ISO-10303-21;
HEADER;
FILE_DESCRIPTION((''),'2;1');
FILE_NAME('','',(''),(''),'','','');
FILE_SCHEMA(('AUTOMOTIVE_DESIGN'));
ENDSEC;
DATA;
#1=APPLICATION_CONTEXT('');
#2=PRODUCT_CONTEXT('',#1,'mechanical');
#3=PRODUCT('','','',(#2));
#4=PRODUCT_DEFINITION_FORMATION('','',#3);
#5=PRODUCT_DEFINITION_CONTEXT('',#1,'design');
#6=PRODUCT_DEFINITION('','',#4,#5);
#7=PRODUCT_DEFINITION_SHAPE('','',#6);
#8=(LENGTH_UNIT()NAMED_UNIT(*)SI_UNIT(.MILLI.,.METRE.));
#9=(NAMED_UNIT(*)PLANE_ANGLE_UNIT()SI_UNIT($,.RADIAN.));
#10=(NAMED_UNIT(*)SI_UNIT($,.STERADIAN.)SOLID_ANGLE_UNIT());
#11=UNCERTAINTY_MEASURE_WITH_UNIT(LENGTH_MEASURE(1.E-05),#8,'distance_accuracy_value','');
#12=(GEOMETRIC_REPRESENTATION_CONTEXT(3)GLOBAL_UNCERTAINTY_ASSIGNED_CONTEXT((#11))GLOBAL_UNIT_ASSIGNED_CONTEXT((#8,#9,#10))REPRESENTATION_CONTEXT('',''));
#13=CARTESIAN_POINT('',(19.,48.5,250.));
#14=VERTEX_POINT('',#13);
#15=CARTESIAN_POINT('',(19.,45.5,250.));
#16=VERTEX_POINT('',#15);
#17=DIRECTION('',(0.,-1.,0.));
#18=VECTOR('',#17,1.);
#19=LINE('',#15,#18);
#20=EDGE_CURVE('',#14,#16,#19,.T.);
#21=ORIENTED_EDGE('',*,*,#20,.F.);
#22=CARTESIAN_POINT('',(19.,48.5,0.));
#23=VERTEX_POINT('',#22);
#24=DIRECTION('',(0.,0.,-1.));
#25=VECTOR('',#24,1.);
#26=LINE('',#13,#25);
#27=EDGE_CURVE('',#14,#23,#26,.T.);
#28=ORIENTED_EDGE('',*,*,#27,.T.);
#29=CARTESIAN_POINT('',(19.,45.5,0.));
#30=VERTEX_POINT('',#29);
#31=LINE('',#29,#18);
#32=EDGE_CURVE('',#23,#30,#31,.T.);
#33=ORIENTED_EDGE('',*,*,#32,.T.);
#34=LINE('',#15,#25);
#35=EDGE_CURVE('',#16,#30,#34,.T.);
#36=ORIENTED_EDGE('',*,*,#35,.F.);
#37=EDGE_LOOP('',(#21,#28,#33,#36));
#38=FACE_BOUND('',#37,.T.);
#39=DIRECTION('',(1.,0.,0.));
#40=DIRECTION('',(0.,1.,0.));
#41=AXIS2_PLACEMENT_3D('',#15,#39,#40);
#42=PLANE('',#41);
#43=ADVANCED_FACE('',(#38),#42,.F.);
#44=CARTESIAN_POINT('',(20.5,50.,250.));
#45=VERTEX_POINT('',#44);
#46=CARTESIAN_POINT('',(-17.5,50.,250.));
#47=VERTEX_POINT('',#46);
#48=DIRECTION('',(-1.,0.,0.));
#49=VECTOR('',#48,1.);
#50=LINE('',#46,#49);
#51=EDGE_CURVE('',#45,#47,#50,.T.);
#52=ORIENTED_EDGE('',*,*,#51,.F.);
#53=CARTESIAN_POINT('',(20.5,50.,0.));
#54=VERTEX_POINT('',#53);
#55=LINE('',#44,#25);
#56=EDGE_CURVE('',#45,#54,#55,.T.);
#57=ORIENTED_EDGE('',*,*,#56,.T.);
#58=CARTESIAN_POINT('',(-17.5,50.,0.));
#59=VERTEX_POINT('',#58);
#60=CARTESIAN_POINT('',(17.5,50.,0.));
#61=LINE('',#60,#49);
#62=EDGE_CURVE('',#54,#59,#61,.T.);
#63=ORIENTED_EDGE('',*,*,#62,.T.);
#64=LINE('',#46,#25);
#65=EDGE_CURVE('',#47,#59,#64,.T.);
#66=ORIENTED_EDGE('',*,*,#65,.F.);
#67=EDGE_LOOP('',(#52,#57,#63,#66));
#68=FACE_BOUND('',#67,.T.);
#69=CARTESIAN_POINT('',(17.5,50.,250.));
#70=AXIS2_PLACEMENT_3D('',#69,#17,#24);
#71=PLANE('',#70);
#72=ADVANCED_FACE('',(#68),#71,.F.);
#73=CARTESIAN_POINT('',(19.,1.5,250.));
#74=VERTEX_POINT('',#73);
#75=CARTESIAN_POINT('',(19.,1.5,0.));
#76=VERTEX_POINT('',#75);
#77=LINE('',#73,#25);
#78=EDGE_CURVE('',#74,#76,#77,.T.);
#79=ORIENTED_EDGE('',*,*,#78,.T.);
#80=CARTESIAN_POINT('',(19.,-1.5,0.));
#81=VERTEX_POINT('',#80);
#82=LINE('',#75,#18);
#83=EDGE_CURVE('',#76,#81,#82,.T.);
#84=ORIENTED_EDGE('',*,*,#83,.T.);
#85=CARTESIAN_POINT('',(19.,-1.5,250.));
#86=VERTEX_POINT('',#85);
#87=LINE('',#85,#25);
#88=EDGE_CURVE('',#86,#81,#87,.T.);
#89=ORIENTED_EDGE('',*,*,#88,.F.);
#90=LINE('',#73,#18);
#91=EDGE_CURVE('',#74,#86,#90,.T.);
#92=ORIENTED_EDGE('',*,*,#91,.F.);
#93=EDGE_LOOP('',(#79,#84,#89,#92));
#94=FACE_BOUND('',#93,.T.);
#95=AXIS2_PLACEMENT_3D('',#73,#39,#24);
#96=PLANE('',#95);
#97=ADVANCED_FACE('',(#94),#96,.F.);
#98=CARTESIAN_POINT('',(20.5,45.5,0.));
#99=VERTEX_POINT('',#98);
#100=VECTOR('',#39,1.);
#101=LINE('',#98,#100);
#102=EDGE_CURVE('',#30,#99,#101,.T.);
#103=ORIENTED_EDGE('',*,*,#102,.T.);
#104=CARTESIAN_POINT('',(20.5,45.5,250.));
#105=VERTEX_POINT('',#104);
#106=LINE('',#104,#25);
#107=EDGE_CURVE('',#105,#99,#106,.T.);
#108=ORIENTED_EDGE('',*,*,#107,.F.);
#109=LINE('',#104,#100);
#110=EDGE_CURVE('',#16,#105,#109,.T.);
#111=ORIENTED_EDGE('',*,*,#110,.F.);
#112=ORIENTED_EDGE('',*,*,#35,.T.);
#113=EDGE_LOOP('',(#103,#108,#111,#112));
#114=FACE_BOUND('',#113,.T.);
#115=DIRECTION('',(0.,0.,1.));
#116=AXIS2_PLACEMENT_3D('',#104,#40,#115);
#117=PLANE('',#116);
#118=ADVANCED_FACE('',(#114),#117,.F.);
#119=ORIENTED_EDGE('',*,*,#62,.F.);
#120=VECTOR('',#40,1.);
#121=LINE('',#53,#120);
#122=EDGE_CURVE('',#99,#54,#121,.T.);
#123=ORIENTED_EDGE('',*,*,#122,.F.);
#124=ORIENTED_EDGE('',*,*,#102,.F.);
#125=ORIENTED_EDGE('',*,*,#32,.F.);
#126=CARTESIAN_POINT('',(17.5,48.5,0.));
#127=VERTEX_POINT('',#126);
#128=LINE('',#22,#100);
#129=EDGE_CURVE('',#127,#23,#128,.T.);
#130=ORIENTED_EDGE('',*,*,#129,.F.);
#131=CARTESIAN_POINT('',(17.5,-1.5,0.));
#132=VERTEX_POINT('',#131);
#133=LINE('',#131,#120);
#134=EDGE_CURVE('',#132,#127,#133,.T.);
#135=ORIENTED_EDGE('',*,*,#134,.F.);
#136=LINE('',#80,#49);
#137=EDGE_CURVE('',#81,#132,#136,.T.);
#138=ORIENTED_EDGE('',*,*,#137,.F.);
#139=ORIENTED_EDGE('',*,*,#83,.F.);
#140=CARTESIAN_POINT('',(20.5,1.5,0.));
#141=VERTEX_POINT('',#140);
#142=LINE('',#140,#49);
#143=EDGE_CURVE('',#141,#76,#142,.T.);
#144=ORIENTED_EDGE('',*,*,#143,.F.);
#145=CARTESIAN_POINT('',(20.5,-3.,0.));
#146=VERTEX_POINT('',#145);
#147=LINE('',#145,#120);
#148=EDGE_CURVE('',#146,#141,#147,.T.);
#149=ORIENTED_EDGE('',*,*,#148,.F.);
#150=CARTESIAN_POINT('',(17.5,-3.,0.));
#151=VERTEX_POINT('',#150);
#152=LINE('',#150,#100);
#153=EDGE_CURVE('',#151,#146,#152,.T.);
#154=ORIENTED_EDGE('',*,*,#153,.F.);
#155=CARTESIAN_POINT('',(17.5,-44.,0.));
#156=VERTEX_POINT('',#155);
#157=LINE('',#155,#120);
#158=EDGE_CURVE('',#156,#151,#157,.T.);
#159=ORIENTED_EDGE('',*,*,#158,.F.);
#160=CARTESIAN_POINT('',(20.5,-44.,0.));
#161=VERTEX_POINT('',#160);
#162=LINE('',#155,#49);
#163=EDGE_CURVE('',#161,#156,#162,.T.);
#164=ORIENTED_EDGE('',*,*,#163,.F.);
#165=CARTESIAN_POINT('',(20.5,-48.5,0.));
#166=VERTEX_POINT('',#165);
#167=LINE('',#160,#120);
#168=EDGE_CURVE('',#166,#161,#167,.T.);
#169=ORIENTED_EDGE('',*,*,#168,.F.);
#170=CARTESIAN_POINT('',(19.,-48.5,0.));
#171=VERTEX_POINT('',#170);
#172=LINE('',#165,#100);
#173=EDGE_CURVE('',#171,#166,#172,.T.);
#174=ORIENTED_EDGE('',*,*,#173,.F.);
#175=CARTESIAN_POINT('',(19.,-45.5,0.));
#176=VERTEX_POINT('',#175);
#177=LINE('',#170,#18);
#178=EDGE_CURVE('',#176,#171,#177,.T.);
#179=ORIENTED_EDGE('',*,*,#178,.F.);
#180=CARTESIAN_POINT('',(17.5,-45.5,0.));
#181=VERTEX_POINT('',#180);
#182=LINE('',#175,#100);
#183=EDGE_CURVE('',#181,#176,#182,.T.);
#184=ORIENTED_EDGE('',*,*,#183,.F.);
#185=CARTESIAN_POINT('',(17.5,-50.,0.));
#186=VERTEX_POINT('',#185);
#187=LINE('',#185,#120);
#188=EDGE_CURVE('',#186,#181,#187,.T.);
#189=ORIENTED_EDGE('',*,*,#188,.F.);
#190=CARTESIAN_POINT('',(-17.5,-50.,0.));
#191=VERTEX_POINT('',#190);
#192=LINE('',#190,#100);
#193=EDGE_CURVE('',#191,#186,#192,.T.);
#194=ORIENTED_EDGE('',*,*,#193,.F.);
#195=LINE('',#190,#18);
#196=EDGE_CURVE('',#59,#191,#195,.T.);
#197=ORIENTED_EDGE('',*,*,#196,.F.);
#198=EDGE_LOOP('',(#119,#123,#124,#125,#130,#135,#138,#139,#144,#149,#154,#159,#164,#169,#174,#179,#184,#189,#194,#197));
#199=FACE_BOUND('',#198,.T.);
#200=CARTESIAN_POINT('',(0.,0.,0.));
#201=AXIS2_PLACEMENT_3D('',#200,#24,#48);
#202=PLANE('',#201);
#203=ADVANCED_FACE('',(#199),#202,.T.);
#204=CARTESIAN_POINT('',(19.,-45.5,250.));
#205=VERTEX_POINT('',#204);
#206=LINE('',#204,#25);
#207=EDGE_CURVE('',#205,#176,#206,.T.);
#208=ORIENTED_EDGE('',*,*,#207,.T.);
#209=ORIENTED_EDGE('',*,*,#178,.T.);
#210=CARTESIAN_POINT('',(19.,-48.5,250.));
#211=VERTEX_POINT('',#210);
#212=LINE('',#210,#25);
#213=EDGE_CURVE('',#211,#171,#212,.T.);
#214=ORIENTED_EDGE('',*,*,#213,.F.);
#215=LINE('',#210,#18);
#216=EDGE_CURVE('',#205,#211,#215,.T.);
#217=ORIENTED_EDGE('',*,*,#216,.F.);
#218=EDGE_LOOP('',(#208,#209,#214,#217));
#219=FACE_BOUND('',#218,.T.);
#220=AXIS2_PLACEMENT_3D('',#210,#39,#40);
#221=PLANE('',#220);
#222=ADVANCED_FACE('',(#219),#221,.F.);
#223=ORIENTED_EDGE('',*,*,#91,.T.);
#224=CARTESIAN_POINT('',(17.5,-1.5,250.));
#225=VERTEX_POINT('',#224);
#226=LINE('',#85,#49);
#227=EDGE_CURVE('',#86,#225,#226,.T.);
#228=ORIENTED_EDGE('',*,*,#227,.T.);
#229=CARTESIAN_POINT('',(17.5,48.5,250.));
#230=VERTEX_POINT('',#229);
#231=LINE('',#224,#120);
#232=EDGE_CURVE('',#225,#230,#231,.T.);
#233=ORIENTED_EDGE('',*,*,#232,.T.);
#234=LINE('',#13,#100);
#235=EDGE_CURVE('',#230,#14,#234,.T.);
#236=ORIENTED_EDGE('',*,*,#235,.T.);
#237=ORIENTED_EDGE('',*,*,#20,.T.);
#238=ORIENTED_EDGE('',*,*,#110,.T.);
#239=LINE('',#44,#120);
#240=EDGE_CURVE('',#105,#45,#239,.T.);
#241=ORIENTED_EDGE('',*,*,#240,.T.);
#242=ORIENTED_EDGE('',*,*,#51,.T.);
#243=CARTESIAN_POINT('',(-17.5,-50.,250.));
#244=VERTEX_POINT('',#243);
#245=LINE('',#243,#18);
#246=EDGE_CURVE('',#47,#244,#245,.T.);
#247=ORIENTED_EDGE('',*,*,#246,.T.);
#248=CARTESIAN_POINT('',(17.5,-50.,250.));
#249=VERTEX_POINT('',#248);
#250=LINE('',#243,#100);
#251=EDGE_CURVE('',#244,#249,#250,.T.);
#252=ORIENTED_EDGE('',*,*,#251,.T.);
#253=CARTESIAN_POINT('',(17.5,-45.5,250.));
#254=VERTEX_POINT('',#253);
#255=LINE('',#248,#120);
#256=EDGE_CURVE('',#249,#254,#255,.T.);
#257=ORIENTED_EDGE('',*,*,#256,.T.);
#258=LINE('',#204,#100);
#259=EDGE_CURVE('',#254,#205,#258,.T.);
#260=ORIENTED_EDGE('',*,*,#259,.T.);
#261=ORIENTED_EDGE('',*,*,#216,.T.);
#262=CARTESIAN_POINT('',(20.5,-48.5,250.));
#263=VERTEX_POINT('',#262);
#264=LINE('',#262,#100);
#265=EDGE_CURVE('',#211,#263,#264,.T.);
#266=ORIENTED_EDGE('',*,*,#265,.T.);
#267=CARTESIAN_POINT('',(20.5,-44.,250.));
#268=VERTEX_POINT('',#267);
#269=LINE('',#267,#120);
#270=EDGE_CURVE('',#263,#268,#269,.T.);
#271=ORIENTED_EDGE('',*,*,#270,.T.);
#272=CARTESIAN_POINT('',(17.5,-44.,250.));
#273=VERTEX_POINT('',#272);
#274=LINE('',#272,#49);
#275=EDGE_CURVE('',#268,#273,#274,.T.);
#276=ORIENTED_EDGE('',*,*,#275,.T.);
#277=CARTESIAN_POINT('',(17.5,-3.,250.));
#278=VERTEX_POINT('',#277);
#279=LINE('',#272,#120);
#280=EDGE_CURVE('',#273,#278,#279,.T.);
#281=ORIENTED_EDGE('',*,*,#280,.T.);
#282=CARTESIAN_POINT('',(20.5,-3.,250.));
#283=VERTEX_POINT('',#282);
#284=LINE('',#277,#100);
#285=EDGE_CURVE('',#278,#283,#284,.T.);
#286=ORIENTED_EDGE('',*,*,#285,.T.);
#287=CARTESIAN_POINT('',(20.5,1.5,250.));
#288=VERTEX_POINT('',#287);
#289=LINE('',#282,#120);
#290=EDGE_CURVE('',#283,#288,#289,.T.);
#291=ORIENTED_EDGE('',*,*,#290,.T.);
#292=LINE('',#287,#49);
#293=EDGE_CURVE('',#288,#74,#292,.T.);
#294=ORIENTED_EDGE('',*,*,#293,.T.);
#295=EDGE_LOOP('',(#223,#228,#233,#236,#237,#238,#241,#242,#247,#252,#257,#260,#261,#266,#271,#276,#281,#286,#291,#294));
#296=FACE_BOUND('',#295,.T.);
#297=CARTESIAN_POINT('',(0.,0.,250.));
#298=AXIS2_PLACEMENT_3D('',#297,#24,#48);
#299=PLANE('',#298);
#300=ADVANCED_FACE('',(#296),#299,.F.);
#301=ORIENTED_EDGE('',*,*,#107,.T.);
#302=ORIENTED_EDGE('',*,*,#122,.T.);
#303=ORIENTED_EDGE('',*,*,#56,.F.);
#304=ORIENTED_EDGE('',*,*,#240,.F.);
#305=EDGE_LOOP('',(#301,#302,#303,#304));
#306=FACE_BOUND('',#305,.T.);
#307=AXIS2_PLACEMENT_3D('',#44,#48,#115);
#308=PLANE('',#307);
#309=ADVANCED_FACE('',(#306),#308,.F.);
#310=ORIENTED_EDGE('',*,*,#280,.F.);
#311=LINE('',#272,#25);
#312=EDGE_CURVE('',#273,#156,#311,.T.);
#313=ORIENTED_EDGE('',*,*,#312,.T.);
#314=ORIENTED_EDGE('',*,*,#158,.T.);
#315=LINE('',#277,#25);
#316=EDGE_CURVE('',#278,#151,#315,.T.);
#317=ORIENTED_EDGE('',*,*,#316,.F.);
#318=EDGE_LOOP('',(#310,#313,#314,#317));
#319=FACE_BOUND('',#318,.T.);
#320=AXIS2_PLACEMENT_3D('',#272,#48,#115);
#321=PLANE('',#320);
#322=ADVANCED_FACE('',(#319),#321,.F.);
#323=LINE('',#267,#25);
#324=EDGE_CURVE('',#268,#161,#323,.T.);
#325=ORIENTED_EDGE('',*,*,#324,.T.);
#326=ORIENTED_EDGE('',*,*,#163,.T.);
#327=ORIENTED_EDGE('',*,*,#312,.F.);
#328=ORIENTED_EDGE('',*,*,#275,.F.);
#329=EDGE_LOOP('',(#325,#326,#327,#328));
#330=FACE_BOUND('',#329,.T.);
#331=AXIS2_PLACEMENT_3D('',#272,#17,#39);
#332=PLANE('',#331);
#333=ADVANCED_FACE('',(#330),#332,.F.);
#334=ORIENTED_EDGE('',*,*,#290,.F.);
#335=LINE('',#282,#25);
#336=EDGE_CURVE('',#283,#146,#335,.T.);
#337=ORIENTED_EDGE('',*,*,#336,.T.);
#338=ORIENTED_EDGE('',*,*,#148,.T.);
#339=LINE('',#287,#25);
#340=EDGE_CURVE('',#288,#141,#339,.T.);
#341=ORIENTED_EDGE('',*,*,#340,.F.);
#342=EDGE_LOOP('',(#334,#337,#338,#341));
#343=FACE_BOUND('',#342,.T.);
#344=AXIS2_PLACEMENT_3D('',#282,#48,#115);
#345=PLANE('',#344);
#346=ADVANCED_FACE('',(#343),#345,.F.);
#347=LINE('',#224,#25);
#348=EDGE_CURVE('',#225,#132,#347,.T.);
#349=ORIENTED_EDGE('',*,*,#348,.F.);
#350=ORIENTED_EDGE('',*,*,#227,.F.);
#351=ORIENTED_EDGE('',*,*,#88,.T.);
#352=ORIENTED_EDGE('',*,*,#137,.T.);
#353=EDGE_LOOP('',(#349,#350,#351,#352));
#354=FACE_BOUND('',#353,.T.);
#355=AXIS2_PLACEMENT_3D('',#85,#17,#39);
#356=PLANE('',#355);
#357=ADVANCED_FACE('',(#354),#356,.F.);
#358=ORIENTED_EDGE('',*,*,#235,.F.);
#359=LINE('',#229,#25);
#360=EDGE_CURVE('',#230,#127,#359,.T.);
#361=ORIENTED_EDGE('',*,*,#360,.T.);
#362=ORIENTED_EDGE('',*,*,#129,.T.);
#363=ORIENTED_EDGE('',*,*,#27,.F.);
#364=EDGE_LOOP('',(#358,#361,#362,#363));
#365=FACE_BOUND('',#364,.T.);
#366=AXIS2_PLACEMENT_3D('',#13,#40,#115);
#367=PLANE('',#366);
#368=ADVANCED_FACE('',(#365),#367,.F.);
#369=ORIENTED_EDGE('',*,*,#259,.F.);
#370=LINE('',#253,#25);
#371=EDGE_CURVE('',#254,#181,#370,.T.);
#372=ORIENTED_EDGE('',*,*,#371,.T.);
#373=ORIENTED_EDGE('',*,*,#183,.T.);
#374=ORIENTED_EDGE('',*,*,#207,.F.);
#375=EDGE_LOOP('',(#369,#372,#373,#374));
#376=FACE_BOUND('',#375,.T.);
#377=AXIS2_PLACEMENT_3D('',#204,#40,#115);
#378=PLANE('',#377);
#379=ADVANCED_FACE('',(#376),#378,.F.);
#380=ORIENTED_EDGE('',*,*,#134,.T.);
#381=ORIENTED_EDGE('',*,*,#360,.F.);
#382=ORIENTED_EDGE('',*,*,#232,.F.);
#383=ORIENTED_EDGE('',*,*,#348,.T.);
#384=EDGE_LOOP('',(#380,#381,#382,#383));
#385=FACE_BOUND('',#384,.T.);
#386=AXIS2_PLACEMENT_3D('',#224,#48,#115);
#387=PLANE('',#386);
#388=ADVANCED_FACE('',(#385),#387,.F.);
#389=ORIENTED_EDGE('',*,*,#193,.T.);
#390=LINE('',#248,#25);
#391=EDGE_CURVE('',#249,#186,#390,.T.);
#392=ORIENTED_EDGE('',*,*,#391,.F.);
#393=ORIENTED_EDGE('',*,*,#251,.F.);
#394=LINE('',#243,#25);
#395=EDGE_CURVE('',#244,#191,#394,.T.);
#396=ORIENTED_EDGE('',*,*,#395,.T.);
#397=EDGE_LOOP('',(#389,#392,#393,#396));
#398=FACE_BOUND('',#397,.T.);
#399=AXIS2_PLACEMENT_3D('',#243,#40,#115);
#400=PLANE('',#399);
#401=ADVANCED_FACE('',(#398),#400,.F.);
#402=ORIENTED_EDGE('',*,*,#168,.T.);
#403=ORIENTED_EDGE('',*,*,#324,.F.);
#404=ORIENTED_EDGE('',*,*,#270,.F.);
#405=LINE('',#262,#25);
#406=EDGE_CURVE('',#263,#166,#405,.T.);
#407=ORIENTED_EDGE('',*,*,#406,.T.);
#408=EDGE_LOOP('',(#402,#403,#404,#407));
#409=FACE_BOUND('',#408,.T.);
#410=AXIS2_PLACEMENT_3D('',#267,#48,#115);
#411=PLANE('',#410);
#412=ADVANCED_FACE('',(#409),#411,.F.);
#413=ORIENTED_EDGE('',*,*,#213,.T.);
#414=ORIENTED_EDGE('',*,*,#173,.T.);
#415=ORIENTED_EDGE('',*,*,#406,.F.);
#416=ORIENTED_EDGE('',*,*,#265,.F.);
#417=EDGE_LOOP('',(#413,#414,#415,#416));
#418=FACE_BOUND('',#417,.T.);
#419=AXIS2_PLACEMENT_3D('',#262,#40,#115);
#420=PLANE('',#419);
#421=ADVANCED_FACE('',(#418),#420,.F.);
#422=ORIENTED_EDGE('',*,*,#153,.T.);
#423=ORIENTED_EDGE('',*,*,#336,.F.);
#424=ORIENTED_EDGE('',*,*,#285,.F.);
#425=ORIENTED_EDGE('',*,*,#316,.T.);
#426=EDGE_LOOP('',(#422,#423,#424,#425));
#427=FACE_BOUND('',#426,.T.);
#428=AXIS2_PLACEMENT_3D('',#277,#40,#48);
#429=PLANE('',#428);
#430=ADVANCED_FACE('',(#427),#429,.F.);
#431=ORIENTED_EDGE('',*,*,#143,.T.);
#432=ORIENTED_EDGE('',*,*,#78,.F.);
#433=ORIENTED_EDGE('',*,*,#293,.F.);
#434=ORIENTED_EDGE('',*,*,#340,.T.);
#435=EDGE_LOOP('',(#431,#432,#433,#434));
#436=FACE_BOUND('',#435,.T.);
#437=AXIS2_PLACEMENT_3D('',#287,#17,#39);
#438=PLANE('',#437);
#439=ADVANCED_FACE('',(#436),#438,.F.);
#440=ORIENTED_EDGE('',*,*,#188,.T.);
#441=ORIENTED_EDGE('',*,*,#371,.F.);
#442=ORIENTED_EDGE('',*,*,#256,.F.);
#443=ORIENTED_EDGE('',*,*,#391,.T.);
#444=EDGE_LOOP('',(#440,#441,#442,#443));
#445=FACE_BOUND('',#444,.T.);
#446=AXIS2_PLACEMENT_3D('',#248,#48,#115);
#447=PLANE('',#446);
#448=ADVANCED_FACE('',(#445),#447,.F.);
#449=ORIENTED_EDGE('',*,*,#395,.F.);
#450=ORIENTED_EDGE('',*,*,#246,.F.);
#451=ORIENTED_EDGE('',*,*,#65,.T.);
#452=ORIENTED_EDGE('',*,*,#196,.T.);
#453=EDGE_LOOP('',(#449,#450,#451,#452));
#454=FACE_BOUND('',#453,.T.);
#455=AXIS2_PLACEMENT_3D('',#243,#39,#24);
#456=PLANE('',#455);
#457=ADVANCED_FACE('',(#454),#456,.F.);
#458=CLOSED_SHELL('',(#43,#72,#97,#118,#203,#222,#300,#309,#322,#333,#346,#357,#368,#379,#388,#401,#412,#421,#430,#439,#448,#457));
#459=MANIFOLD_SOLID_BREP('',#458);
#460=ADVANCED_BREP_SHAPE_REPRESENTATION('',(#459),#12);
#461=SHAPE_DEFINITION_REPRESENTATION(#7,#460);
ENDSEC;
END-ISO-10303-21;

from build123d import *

# Parameters (mm, degrees)
SALIENTE_EXTRUIR1_DEPTH = 250


with BuildPart() as part:
    # Croquis1 → Saliente-Extruir1 (new body)
    with BuildSketch(Plane.XY):
        Polygon((17.5, 50), (20.5, 50), (20.5, 45.5), (19, 45.5), (19, 48.5), (17.5, 48.5), (17.5, -1.5), (19, -1.5), (19, 1.5), (20.5, 1.5), (20.5, -3), (17.5, -3), (17.5, -44), (20.5, -44), (20.5, -48.5), (19, -48.5), (19, -45.5), (17.5, -45.5), (17.5, -50), (-17.5, -50), (-17.5, 50), align=None)
    extrude(amount=SALIENTE_EXTRUIR1_DEPTH)


solid = part.part
